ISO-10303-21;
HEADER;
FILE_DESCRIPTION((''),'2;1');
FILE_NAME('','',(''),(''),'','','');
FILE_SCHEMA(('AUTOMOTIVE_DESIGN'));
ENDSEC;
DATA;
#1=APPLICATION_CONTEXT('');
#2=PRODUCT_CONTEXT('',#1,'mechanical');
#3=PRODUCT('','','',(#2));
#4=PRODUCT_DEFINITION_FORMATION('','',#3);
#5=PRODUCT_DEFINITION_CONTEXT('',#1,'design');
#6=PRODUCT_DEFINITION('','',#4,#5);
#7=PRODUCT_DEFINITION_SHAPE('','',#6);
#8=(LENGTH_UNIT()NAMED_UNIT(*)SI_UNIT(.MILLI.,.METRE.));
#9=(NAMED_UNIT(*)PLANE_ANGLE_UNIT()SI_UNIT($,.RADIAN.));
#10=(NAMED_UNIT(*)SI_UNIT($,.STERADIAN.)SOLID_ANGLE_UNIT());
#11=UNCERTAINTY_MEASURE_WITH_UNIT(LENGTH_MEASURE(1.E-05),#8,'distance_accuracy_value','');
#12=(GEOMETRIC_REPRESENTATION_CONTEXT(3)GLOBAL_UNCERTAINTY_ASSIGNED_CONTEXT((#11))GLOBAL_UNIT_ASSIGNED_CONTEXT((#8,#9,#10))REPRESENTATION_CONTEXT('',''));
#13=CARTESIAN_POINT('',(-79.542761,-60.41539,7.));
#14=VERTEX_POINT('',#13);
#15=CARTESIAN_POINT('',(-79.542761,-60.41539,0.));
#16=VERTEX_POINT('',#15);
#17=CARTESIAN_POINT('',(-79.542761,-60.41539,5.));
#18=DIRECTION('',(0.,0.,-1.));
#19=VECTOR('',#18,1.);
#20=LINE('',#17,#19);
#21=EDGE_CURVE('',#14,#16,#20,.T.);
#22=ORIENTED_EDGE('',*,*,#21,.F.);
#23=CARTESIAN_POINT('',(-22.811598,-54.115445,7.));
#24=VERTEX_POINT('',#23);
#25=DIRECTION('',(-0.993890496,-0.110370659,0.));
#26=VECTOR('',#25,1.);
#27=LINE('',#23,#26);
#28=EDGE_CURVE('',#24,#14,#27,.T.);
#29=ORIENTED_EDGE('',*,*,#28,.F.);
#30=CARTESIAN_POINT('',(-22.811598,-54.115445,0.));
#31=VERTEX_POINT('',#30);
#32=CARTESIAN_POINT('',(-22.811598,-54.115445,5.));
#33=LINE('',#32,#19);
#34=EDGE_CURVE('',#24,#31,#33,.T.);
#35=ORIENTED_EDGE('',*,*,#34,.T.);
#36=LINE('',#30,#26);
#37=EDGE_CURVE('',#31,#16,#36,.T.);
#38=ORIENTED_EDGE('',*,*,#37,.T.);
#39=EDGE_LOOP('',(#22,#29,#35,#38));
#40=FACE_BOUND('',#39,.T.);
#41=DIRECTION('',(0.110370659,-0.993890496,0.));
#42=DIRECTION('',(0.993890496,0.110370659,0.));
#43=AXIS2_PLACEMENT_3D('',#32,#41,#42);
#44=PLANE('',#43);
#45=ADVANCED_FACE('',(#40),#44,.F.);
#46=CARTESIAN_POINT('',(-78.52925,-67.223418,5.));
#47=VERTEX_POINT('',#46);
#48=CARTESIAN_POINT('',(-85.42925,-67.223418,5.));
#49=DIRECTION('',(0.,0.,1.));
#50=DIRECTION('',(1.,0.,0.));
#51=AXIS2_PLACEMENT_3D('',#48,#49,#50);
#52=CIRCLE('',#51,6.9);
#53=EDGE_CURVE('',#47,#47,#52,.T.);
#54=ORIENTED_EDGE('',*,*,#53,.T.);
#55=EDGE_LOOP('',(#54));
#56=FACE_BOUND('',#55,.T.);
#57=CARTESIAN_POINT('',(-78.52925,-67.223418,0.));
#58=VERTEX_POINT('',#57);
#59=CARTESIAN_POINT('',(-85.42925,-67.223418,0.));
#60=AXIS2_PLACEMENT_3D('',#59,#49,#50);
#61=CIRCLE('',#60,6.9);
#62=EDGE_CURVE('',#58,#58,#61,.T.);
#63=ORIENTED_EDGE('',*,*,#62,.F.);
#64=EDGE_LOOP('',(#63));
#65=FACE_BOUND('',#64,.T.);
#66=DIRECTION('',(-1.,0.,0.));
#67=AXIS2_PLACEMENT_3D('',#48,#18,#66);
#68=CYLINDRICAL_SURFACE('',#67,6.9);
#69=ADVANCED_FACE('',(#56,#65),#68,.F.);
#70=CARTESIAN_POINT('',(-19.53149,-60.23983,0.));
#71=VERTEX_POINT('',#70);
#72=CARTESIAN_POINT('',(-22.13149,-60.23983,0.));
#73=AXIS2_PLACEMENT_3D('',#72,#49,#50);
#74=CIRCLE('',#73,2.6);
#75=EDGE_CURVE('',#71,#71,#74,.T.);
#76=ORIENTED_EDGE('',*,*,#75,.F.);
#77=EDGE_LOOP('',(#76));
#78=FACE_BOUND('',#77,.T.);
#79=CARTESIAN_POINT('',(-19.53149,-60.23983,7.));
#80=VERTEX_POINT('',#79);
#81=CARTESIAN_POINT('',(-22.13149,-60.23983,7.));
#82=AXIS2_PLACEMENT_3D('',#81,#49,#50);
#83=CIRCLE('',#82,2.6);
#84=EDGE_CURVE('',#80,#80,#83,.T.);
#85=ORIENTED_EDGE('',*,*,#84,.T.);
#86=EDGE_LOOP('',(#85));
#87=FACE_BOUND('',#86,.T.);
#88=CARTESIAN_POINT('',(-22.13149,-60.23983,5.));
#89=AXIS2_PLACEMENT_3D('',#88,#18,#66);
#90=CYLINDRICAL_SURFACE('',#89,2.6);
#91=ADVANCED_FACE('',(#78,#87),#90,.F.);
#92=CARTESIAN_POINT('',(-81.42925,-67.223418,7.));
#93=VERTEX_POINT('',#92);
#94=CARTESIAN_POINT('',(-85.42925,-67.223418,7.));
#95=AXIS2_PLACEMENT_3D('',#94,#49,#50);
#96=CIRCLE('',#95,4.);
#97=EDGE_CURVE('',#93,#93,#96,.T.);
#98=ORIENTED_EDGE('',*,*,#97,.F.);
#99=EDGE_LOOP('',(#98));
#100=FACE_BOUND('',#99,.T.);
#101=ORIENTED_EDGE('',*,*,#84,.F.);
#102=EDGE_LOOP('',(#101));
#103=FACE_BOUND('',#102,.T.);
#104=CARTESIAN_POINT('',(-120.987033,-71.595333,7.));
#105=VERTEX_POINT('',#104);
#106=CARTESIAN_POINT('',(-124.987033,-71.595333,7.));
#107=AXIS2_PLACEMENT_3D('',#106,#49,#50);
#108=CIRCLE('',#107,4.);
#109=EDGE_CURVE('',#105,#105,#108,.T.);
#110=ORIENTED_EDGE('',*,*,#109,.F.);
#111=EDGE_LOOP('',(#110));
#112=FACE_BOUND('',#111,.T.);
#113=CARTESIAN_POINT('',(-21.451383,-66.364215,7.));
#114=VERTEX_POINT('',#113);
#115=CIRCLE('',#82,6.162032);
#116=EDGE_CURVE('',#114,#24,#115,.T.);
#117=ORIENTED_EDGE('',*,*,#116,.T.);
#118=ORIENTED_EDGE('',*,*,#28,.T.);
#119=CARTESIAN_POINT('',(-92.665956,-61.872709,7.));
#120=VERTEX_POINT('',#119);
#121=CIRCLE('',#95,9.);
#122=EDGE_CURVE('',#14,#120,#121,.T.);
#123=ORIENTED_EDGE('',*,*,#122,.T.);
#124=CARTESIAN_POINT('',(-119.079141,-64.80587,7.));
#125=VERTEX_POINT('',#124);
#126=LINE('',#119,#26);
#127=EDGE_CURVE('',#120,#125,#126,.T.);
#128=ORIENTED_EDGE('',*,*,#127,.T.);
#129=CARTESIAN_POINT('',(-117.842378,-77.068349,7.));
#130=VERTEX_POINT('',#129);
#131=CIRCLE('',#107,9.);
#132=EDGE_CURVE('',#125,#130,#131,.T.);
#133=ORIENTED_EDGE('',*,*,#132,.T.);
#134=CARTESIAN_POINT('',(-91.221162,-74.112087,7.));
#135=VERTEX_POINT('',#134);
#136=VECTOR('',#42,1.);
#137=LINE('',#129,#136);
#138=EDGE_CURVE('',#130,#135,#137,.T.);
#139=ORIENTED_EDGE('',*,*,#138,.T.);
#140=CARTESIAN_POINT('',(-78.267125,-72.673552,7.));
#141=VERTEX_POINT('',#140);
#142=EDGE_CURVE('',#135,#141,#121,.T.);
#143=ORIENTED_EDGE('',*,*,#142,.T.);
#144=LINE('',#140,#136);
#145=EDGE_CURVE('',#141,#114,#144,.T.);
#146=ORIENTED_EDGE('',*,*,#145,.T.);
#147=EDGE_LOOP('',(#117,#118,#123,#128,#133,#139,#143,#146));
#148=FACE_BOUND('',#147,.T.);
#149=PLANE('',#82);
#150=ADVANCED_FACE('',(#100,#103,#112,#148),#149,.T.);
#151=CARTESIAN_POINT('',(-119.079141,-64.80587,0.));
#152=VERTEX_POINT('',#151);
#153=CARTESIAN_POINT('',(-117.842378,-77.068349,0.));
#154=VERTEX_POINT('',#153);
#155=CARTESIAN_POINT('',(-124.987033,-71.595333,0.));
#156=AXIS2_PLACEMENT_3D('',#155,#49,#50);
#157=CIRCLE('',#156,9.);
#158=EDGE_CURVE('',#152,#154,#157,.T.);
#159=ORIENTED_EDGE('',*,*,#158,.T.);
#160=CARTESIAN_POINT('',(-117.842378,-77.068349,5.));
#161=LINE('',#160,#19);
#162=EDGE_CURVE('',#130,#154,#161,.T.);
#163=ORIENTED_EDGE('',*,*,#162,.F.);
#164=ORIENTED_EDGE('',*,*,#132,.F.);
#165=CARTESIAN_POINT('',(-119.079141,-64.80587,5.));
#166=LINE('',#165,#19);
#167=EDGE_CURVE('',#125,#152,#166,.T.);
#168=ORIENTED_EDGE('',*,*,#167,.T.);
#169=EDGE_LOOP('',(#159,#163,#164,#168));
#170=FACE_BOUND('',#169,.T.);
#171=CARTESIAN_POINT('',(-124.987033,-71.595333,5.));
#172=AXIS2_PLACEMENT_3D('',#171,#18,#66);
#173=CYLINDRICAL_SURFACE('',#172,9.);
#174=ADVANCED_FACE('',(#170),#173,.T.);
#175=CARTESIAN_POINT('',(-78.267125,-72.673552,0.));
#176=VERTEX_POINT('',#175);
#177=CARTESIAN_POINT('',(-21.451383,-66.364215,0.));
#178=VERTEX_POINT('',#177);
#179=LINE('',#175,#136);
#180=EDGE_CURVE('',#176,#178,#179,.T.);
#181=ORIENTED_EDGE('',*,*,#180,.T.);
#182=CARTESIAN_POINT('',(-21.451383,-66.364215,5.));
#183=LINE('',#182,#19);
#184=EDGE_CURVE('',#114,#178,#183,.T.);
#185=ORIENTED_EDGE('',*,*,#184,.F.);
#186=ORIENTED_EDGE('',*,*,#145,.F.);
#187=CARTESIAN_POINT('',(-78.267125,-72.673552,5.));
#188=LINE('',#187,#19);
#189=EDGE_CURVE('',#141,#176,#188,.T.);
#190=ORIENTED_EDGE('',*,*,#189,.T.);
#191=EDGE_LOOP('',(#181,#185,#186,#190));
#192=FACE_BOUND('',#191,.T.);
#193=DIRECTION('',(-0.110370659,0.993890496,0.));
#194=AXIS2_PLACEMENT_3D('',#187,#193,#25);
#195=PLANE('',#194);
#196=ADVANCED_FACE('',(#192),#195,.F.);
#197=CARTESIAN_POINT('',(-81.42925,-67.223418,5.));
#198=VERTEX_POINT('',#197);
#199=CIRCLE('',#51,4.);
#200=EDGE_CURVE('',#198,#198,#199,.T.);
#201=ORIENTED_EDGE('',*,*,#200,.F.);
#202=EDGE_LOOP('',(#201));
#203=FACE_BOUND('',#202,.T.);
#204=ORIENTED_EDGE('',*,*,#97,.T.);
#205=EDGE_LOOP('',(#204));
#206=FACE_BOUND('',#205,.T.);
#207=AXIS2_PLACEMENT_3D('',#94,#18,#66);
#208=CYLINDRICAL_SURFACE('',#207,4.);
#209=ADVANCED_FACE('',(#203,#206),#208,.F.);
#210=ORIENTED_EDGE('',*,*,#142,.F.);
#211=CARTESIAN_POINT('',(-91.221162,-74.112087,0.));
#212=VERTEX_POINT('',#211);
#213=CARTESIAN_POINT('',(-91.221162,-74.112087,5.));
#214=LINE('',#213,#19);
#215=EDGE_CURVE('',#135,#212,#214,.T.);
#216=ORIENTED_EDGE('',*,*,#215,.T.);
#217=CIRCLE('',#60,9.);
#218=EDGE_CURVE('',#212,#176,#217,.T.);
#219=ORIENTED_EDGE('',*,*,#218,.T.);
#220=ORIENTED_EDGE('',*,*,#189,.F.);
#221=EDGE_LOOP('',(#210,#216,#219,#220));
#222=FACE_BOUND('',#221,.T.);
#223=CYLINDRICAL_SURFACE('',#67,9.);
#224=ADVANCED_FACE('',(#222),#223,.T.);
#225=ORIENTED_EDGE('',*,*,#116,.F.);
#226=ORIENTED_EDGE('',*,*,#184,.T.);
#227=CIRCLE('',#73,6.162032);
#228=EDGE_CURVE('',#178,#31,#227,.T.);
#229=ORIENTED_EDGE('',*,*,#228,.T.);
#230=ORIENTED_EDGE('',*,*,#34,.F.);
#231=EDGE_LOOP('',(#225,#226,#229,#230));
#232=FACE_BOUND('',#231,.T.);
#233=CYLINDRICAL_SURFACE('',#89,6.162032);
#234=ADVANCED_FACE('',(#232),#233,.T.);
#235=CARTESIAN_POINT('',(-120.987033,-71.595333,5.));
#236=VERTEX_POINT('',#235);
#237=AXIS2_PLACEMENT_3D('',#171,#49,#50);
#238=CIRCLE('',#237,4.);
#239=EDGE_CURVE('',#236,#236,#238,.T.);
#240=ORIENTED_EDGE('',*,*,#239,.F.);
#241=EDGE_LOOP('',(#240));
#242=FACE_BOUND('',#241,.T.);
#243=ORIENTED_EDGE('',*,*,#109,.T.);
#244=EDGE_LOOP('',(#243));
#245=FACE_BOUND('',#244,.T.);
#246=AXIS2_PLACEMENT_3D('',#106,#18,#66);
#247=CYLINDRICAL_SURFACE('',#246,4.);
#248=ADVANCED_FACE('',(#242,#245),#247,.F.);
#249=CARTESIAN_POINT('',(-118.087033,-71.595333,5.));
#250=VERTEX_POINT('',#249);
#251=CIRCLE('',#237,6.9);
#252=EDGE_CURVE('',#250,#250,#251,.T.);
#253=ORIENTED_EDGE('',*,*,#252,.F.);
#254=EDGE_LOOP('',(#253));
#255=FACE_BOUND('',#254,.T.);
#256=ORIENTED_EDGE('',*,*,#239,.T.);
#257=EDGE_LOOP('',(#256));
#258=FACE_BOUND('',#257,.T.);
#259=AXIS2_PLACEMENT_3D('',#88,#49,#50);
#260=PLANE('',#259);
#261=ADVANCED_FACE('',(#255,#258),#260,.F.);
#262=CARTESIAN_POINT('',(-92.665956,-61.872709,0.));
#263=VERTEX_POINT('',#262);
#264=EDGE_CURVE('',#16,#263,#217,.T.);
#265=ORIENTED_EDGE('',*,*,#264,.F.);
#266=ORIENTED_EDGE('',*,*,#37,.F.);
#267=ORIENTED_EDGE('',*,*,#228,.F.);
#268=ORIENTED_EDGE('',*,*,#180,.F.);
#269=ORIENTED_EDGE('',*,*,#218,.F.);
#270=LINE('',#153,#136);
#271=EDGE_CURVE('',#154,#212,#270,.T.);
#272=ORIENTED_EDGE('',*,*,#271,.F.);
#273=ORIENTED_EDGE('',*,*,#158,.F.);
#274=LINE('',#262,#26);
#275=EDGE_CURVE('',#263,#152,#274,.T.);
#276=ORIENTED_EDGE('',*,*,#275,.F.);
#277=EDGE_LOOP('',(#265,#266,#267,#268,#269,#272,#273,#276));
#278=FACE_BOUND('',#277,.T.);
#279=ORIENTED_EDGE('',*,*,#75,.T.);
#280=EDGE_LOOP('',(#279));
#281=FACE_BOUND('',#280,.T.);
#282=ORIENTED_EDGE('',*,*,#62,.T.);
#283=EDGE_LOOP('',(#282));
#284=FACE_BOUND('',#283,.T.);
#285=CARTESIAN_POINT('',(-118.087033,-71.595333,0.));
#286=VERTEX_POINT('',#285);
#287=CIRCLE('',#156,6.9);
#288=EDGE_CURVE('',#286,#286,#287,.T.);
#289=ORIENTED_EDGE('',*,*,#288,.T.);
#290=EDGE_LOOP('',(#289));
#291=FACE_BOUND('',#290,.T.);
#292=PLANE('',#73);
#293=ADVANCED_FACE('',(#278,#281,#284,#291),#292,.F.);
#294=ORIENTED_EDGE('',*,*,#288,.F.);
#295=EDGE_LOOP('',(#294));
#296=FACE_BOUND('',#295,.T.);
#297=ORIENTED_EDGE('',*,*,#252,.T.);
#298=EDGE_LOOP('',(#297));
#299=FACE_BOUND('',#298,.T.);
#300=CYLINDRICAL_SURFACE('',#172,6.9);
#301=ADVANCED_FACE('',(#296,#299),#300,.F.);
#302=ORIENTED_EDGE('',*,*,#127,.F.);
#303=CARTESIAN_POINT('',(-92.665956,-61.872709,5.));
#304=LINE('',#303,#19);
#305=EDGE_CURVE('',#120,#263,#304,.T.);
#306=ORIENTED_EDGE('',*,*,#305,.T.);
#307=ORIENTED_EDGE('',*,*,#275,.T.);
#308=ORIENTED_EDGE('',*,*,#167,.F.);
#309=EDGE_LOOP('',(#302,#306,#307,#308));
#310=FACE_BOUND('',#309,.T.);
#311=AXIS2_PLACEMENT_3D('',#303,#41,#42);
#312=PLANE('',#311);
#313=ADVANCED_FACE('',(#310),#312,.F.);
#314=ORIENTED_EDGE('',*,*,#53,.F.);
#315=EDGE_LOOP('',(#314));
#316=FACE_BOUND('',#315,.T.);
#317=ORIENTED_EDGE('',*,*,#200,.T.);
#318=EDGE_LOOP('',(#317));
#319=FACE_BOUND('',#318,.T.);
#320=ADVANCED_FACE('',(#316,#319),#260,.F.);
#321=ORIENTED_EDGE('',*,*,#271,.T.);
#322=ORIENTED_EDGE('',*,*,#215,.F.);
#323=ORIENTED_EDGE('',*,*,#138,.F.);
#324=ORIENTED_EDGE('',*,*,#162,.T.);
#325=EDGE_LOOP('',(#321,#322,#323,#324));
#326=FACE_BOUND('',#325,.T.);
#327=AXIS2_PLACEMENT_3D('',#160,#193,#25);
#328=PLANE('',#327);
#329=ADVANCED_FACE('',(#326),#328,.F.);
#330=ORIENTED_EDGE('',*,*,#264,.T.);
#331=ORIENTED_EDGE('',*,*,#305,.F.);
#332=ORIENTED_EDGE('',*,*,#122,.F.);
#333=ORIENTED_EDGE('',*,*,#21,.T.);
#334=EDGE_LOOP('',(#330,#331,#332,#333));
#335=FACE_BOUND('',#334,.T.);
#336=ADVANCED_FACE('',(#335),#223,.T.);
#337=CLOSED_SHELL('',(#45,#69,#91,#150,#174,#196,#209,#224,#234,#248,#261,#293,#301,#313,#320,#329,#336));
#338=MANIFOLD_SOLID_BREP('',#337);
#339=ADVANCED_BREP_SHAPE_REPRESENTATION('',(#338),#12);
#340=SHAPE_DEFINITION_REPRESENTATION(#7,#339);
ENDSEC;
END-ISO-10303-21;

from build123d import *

# Parameters (mm, degrees)
SKETCH1_R           = 2.6
SKETCH1_R_2         = 6.9
BOSS_EXTRUDE1_DEPTH = 5
SKETCH2_R           = 2.6
SKETCH2_R_2         = 4
BOSS_EXTRUDE2_DEPTH = 2


with BuildPart() as part:
    # Sketch1 → Boss-Extrude1 (new body)
    with BuildSketch(Plane.XY):
        with BuildLine():
            Line((-117.842377899, -77.068349263), (-91.221161774, -74.112086796))
            ThreePointArc((-91.221161774, -74.112086796), (-84.435913767, -76.1684327), (-78.267124508, -72.673552434))
            Line((-78.267124508, -72.673552434), (-21.451382857, -66.364214657))
            ThreePointArc((-21.451382857, -66.364214657), (-16.007105356, -59.559722092), (-22.811597922, -54.115444591))
            Line((-22.811597922, -54.115444591), (-79.542760834, -60.415389973))
            ThreePointArc((-79.542760834, -60.415389973), (-86.42258563, -58.278403776), (-92.665955577, -61.872709124))
            Line((-92.665955577, -61.872709124), (-119.079141177, -64.805869985))
            ThreePointArc((-119.079141177, -64.805869985), (-133.941604274, -72.498469269), (-117.842377899, -77.068349263))
        make_face()
        with Locations((-22.131490389, -60.239829624)):
            Circle(SKETCH1_R, mode=Mode.SUBTRACT)
        with Locations((-85.429249698, -67.223418238)):
            Circle(SKETCH1_R_2, mode=Mode.SUBTRACT)
        with Locations((-124.987033061, -71.595333402)):
            Circle(SKETCH1_R_2, mode=Mode.SUBTRACT)
    extrude(amount=BOSS_EXTRUDE1_DEPTH)

    # Sketch2 → Boss-Extrude2 (add)
    with BuildSketch(Plane.XY.offset(5)):
        with BuildLine():
            Line((-22.811597922, -54.115444591), (-79.542760834, -60.415389973))
            ThreePointArc((-79.542760834, -60.415389973), (-86.42258563, -58.278403776), (-92.665955577, -61.872709124))
            Line((-92.665955577, -61.872709124), (-119.079141177, -64.805869985))
            ThreePointArc((-119.079141177, -64.805869985), (-133.941604274, -72.498469269), (-117.842377899, -77.068349263))
            Line((-117.842377899, -77.068349263), (-91.221161774, -74.112086796))
            ThreePointArc((-91.221161774, -74.112086796), (-84.435913767, -76.1684327), (-78.267124508, -72.673552434))
            Line((-78.267124508, -72.673552434), (-21.451382857, -66.364214657))
            ThreePointArc((-21.451382857, -66.364214657), (-16.007105356, -59.559722092), (-22.811597922, -54.115444591))
        make_face()
        with Locations((-22.131490389, -60.239829624)):
            Circle(SKETCH2_R, mode=Mode.SUBTRACT)
        with Locations((-85.429249698, -67.223418238)):
            Circle(SKETCH2_R_2, mode=Mode.SUBTRACT)
        with Locations((-124.987033061, -71.595333402)):
            Circle(SKETCH2_R_2, mode=Mode.SUBTRACT)
    extrude(amount=BOSS_EXTRUDE2_DEPTH)


solid = part.part
